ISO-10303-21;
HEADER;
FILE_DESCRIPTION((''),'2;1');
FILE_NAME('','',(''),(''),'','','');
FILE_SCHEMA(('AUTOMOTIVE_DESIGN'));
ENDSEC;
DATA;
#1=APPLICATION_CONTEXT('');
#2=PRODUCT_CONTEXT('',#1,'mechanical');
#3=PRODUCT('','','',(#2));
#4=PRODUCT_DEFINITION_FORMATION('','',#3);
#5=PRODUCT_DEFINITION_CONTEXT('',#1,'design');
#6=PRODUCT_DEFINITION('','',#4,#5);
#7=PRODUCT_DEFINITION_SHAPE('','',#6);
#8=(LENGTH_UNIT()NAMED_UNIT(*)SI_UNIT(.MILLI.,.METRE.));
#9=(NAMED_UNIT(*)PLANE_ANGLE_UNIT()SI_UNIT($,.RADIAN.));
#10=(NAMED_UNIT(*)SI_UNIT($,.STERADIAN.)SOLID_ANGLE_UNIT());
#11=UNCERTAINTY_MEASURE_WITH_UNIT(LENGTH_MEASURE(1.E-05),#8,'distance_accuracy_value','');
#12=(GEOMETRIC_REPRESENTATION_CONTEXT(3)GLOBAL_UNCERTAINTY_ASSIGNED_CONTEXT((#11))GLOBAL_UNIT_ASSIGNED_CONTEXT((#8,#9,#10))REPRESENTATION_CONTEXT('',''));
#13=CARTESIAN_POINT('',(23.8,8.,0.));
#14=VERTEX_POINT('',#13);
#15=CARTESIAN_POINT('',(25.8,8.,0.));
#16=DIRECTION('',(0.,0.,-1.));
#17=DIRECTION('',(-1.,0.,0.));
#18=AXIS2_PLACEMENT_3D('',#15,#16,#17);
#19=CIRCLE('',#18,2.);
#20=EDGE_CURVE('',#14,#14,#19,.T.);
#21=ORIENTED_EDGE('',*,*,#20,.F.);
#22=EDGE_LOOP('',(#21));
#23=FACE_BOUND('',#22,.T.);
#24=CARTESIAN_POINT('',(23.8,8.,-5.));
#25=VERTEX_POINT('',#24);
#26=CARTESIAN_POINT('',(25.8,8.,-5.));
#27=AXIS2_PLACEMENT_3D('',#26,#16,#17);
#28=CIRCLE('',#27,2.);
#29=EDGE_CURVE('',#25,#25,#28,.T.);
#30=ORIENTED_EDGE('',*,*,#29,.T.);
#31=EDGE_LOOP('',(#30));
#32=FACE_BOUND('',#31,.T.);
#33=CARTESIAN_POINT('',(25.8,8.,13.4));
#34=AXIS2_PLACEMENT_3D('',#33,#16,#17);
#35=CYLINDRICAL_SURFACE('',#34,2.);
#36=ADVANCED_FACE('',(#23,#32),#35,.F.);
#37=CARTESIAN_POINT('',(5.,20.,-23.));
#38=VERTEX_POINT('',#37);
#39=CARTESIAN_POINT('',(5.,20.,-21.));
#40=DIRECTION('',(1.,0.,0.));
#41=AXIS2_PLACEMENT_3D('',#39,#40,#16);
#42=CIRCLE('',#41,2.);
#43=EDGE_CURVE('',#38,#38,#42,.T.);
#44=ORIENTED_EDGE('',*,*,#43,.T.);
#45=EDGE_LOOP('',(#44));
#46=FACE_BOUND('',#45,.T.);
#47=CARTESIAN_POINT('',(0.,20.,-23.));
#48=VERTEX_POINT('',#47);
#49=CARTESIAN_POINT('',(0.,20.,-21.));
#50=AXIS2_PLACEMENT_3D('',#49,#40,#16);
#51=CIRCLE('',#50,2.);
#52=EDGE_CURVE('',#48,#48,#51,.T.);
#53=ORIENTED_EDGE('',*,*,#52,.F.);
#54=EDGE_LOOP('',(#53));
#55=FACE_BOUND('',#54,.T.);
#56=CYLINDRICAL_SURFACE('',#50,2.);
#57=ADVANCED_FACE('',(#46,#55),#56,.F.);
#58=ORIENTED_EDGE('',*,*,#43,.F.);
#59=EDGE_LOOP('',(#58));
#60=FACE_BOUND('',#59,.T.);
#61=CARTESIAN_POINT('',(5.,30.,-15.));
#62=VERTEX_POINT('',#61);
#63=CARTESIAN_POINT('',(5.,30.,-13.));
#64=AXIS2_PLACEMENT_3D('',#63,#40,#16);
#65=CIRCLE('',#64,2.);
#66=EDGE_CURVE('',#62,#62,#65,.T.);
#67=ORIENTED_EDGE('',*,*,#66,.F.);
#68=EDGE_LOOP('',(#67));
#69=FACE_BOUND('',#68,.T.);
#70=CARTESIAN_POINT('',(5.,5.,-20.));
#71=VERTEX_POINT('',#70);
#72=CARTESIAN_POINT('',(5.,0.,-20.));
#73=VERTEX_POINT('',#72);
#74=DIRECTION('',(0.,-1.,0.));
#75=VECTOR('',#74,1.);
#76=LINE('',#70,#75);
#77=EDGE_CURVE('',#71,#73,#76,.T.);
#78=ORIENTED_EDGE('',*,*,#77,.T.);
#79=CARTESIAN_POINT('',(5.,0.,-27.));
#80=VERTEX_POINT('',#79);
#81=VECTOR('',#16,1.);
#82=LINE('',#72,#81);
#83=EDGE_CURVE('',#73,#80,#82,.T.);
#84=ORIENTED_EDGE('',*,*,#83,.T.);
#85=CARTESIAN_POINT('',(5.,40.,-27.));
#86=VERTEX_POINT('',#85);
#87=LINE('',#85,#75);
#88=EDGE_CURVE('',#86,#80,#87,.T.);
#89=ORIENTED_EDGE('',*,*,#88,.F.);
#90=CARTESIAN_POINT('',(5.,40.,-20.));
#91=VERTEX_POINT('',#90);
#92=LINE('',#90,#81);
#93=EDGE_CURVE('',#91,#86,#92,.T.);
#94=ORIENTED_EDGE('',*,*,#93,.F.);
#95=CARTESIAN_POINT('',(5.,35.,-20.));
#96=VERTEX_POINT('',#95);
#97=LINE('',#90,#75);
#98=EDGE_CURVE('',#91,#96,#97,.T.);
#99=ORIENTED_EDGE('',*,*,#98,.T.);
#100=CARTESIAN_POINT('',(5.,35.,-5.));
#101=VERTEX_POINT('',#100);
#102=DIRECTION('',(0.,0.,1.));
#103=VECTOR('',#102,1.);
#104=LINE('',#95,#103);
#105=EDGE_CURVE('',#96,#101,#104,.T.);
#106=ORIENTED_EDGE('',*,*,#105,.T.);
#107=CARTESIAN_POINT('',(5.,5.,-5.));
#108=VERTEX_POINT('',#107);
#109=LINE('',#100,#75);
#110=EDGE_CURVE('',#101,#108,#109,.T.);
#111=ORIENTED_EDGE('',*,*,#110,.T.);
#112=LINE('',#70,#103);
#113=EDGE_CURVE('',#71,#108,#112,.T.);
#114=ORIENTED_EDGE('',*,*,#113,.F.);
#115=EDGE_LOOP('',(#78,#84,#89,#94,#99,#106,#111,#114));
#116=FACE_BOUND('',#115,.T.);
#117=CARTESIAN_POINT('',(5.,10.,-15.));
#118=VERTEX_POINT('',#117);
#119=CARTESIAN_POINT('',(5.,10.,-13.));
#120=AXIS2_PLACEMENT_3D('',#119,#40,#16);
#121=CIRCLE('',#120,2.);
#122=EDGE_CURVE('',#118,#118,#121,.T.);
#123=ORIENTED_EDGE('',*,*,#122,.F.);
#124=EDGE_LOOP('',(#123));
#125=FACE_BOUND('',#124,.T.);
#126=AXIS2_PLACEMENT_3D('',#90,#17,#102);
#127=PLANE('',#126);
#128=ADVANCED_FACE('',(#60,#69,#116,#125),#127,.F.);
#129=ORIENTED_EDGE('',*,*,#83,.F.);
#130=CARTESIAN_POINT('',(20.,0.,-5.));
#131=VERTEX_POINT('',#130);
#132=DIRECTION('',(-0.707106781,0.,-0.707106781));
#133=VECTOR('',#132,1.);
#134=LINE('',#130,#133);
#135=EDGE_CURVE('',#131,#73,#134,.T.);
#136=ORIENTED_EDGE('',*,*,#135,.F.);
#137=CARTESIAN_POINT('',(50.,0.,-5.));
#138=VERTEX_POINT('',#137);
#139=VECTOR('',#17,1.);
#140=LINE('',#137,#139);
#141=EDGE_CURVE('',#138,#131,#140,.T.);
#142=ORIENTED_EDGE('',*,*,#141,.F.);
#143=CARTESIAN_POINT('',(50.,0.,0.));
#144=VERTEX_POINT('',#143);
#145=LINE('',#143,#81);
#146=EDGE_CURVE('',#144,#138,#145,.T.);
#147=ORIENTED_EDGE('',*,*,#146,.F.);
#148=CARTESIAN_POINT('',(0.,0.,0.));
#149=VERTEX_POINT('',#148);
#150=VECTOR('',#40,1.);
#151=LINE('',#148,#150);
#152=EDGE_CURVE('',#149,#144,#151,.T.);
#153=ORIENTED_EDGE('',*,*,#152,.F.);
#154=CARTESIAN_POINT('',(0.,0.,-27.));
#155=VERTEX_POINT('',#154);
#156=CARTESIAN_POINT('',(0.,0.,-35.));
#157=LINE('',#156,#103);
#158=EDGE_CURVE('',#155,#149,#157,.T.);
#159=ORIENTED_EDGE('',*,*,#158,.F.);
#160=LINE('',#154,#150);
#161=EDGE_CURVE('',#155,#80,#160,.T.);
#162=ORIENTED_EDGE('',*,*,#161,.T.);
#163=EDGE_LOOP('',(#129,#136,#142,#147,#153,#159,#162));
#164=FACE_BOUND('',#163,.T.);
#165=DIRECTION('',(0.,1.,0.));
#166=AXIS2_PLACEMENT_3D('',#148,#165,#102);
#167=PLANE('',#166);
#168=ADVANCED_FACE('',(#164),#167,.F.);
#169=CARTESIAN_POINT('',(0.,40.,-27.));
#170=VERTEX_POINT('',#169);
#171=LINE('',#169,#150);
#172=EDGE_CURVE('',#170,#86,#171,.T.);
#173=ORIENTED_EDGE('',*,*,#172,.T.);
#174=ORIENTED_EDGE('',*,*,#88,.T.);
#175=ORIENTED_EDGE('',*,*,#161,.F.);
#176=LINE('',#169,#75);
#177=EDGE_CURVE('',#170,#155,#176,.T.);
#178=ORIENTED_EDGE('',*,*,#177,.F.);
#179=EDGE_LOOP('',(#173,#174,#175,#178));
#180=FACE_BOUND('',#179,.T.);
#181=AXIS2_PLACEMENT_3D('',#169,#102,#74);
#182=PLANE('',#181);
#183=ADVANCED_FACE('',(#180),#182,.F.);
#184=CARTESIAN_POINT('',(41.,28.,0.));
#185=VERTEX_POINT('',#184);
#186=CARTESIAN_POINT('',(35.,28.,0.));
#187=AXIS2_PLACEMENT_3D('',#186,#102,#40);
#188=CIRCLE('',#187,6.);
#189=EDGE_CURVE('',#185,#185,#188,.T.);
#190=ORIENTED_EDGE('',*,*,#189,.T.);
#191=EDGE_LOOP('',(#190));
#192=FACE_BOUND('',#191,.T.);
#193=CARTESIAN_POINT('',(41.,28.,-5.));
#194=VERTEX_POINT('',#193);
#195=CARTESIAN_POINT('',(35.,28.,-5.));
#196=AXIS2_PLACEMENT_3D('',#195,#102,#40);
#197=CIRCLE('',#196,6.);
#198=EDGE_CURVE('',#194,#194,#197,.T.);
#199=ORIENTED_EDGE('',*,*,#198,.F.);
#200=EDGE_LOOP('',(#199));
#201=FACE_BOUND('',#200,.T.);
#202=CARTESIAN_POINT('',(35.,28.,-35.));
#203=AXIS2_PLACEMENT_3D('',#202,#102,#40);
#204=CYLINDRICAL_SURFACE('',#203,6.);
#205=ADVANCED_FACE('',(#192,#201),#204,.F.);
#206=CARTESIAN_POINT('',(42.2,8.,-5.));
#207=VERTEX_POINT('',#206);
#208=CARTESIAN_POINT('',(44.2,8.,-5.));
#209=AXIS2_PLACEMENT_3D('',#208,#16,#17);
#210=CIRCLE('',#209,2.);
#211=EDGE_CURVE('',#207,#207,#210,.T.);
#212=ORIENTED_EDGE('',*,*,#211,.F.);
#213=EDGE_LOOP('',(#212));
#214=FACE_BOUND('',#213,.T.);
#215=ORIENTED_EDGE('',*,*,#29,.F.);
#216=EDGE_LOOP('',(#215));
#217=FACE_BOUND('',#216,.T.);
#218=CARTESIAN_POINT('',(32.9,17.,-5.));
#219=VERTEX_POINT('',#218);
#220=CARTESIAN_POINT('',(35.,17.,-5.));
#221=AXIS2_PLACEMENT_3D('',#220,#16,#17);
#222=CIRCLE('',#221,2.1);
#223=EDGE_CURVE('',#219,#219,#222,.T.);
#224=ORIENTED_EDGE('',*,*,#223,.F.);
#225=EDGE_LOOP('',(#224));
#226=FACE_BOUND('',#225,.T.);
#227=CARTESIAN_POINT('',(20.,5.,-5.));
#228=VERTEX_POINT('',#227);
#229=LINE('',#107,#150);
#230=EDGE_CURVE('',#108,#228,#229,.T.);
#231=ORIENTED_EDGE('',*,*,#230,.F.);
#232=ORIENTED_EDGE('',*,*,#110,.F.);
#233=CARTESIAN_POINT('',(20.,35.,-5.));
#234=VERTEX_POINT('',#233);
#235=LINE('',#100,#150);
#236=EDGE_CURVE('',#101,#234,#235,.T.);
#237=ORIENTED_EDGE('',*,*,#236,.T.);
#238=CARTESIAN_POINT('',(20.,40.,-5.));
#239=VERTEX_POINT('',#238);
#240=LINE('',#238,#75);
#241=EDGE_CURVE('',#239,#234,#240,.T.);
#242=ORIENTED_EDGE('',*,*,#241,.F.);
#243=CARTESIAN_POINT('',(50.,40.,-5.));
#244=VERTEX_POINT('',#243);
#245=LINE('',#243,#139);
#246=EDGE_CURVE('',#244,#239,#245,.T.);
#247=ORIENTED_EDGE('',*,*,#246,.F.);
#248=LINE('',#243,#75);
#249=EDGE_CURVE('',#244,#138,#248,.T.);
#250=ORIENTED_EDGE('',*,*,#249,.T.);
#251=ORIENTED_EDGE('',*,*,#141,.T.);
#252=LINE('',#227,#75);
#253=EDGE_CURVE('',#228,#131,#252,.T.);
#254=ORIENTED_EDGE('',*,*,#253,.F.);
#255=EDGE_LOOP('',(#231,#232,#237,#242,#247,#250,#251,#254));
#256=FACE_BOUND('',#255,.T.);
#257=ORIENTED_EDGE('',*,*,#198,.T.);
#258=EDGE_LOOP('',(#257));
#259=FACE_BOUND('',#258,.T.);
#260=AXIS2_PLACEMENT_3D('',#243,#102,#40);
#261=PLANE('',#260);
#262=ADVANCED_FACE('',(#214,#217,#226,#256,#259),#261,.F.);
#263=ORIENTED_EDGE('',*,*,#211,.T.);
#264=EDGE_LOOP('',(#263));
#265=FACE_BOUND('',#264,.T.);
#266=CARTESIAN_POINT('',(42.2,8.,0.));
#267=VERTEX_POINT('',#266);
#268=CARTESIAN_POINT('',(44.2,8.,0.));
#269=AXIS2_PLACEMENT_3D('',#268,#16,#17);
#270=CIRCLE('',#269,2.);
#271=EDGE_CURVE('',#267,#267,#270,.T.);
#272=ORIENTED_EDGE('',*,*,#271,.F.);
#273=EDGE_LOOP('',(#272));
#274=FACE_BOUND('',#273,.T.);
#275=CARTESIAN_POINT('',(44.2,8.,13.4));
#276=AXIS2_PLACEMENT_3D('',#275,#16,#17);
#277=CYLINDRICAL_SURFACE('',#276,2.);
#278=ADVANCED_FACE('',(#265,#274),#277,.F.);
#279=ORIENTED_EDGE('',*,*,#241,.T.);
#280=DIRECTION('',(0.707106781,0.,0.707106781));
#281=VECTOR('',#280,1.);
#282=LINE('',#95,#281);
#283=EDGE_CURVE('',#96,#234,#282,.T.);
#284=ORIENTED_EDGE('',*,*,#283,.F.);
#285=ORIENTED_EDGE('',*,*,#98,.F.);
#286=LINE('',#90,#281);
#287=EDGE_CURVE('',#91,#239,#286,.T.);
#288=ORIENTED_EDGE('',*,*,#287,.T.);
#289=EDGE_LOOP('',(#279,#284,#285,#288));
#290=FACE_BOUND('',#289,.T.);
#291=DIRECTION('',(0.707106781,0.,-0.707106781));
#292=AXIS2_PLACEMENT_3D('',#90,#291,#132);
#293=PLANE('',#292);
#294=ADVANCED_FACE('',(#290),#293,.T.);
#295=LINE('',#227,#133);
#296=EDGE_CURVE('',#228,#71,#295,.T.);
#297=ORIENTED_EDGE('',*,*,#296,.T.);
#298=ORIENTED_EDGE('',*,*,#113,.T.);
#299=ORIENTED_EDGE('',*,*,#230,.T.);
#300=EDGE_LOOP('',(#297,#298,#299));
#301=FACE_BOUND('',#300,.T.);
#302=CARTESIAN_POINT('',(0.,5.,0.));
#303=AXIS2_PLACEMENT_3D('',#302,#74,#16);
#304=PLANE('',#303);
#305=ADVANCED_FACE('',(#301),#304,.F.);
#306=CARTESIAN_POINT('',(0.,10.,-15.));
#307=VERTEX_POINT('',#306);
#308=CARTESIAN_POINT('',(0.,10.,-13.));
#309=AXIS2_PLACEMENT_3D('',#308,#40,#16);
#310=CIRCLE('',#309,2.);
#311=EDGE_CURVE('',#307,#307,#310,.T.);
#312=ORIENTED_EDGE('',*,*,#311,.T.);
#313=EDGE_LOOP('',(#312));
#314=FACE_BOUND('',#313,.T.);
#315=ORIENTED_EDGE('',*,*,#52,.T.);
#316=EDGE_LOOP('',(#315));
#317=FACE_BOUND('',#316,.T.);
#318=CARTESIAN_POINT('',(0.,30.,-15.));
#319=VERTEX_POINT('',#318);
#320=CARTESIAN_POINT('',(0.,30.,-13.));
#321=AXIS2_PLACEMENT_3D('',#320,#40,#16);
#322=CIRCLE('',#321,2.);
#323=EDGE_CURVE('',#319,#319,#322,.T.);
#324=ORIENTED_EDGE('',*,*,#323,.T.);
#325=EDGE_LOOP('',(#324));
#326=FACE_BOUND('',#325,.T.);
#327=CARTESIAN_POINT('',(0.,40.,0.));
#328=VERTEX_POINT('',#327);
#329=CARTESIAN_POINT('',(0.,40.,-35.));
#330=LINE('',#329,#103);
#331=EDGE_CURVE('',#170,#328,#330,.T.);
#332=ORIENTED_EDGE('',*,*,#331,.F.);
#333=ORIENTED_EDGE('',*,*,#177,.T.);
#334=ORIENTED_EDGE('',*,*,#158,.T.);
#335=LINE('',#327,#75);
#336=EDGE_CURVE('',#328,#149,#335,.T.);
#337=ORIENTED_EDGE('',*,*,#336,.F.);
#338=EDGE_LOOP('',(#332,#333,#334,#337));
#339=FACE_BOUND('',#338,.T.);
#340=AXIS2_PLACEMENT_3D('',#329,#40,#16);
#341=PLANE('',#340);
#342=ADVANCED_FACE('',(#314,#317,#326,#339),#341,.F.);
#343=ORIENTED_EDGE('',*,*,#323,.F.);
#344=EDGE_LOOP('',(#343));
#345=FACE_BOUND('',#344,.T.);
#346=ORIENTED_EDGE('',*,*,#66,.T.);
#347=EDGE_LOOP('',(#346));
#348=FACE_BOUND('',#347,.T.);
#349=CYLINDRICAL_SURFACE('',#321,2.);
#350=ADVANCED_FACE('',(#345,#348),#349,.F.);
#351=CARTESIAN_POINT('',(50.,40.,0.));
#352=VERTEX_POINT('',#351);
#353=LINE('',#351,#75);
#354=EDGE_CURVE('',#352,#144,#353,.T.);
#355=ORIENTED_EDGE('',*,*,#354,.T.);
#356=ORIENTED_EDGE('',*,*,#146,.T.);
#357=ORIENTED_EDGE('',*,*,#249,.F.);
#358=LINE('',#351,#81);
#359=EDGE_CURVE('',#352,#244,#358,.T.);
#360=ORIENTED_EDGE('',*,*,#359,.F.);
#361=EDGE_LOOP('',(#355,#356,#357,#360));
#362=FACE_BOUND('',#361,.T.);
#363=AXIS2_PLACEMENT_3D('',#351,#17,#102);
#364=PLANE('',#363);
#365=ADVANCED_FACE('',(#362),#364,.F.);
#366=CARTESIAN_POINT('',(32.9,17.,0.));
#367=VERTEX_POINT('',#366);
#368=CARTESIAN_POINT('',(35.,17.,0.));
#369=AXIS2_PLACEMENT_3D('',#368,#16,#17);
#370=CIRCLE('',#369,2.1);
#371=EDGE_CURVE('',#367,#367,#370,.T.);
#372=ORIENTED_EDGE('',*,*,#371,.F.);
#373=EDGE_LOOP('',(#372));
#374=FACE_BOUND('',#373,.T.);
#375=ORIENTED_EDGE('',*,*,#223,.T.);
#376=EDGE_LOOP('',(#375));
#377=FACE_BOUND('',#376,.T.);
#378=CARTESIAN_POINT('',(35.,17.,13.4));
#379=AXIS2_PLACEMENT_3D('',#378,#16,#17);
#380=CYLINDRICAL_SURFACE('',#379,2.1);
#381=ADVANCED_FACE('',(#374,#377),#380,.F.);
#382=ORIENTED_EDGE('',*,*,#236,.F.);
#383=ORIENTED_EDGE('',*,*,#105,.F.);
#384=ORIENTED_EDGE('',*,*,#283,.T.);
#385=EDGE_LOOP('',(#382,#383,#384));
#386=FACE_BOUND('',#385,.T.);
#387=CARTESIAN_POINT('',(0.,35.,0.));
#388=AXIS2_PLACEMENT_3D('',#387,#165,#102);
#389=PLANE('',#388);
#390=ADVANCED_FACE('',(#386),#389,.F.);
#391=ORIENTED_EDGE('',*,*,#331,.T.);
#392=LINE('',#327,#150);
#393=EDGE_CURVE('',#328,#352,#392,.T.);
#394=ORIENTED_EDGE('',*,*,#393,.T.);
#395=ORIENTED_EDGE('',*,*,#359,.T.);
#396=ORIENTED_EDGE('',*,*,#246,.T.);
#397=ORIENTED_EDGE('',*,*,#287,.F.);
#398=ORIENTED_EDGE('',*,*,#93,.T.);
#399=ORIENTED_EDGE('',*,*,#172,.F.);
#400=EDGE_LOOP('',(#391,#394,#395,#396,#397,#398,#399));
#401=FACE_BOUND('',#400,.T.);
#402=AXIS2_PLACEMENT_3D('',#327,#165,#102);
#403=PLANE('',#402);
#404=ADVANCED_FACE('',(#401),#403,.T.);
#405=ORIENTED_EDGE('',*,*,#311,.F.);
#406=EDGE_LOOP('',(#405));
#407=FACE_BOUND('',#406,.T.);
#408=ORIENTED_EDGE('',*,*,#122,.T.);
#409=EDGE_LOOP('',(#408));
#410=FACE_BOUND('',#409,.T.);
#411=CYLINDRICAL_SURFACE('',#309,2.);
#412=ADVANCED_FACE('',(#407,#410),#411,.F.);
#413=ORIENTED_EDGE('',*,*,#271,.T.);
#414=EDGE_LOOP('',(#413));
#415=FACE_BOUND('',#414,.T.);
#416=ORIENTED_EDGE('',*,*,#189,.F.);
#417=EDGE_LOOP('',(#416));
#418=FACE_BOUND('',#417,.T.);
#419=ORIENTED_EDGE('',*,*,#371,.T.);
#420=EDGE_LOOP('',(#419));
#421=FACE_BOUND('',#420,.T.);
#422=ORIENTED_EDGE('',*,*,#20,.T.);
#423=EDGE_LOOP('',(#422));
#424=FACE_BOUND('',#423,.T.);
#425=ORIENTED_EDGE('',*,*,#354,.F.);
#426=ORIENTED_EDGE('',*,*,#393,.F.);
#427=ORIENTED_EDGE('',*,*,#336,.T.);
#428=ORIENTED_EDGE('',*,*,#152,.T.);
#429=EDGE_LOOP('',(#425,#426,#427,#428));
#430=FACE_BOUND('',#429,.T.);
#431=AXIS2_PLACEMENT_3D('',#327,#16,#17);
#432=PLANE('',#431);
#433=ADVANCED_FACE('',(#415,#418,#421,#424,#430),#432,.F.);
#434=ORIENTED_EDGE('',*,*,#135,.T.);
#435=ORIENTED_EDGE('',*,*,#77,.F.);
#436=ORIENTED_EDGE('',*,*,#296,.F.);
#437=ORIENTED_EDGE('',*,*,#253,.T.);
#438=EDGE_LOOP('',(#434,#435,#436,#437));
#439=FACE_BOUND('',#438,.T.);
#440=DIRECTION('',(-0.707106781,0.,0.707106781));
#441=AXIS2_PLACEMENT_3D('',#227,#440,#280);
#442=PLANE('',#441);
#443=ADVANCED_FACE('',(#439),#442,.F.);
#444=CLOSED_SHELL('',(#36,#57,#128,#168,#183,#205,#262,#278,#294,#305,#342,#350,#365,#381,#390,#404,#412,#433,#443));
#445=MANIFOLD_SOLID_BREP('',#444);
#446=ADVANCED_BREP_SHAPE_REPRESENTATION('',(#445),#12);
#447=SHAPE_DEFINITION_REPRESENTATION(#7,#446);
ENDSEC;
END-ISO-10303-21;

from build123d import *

# Parameters (mm, degrees)
BOSS_EXTRUDE1_DEPTH = 40
CUT_EXTRUDE1_DEPTH  = 35
BOSS_EXTRUDE2_DEPTH = 5
SKETCH6_R           = 2
CUT_EXTRUDE2_DEPTH  = 70.641941386
SKETCH7_R           = 3.2
SKETCH7_R_2         = 2.1
SKETCH7_R_3         = 2
CUT_EXTRUDE4_DEPTH  = 18.4
SKETCH9_R           = 5.05
CUT_EXTRUDE5_DEPTH  = 3
SKETCH10_R          = 6
CUT_EXTRUDE6_DEPTH  = 73.972597597
SKETCH11_W          = 8
SKETCH11_H          = 40
CUT_EXTRUDE7_DEPTH  = 70.641941386


with BuildPart() as part:
    # Sketch1 → Boss-Extrude1 (new body)
    with BuildSketch(Plane(origin=(0, 0, 0), x_dir=(1, 0, 0), z_dir=(0, 1, 0))):
        Polygon((0, 0), (50, 0), (50, 5), (20, 5), (5, 20), (5, 35), (0, 35), align=None)
    extrude(amount=BOSS_EXTRUDE1_DEPTH)

    # Sketch3 → Cut-Extrude1 (cut)
    with BuildSketch(Plane.XZ):
        Polygon((5, -20), (5, -5), (20, -5), align=None)
    extrude(amount=-CUT_EXTRUDE1_DEPTH, mode=Mode.SUBTRACT)

    # Sketch5 → Boss-Extrude2 (add)
    with BuildSketch(Plane.XZ):
        Polygon((5, -20), (5, -5), (20, -5), align=None)
    extrude(amount=-BOSS_EXTRUDE2_DEPTH)

    # Sketch6 → Cut-Extrude2 (cut, through all)
    with BuildSketch(Plane(origin=(5, 0, 0), x_dir=(0, 0, -1), z_dir=(1, 0, 0))):
        with Locations((13, 30)):
            Circle(SKETCH6_R)
        with Locations((13, 10)):
            Circle(SKETCH6_R)
        with Locations((21, 20)):
            Circle(SKETCH6_R)
    extrude(amount=-CUT_EXTRUDE2_DEPTH, mode=Mode.SUBTRACT)

    # Sketch7 → Cut-Extrude4 (cut)
    with BuildSketch(Plane(origin=(0, 0, -5), x_dir=(-1, 0, 0), z_dir=(0, 0, -1))):
        with Locations((-35, 28)):
            Circle(SKETCH7_R)
        with Locations((-35, 17)):
            Circle(SKETCH7_R_2)
        with Locations((-25.8, 8)):
            Circle(SKETCH7_R_3)
        with Locations((-44.2, 8)):
            Circle(SKETCH7_R_3)
    extrude(amount=-CUT_EXTRUDE4_DEPTH, mode=Mode.SUBTRACT)

    # Sketch9 → Cut-Extrude5 (cut)
    with BuildSketch(Plane.XY):
        with Locations((35, 28)):
            Circle(SKETCH9_R)
    extrude(amount=-CUT_EXTRUDE5_DEPTH, mode=Mode.SUBTRACT)

    # Sketch10 → Cut-Extrude6 (cut, through all)
    with BuildSketch(Plane.XY):
        with Locations((35, 28)):
            Circle(SKETCH10_R)
    extrude(amount=-CUT_EXTRUDE6_DEPTH, mode=Mode.SUBTRACT)

    # Sketch11 → Cut-Extrude7 (cut, through all)
    with BuildSketch(Plane(origin=(5, 0, 0), x_dir=(0, 0, -1), z_dir=(1, 0, 0))):
        with Locations((31, 20)):
            Rectangle(SKETCH11_W, SKETCH11_H)
    extrude(amount=-CUT_EXTRUDE7_DEPTH, mode=Mode.SUBTRACT)


solid = part.part
